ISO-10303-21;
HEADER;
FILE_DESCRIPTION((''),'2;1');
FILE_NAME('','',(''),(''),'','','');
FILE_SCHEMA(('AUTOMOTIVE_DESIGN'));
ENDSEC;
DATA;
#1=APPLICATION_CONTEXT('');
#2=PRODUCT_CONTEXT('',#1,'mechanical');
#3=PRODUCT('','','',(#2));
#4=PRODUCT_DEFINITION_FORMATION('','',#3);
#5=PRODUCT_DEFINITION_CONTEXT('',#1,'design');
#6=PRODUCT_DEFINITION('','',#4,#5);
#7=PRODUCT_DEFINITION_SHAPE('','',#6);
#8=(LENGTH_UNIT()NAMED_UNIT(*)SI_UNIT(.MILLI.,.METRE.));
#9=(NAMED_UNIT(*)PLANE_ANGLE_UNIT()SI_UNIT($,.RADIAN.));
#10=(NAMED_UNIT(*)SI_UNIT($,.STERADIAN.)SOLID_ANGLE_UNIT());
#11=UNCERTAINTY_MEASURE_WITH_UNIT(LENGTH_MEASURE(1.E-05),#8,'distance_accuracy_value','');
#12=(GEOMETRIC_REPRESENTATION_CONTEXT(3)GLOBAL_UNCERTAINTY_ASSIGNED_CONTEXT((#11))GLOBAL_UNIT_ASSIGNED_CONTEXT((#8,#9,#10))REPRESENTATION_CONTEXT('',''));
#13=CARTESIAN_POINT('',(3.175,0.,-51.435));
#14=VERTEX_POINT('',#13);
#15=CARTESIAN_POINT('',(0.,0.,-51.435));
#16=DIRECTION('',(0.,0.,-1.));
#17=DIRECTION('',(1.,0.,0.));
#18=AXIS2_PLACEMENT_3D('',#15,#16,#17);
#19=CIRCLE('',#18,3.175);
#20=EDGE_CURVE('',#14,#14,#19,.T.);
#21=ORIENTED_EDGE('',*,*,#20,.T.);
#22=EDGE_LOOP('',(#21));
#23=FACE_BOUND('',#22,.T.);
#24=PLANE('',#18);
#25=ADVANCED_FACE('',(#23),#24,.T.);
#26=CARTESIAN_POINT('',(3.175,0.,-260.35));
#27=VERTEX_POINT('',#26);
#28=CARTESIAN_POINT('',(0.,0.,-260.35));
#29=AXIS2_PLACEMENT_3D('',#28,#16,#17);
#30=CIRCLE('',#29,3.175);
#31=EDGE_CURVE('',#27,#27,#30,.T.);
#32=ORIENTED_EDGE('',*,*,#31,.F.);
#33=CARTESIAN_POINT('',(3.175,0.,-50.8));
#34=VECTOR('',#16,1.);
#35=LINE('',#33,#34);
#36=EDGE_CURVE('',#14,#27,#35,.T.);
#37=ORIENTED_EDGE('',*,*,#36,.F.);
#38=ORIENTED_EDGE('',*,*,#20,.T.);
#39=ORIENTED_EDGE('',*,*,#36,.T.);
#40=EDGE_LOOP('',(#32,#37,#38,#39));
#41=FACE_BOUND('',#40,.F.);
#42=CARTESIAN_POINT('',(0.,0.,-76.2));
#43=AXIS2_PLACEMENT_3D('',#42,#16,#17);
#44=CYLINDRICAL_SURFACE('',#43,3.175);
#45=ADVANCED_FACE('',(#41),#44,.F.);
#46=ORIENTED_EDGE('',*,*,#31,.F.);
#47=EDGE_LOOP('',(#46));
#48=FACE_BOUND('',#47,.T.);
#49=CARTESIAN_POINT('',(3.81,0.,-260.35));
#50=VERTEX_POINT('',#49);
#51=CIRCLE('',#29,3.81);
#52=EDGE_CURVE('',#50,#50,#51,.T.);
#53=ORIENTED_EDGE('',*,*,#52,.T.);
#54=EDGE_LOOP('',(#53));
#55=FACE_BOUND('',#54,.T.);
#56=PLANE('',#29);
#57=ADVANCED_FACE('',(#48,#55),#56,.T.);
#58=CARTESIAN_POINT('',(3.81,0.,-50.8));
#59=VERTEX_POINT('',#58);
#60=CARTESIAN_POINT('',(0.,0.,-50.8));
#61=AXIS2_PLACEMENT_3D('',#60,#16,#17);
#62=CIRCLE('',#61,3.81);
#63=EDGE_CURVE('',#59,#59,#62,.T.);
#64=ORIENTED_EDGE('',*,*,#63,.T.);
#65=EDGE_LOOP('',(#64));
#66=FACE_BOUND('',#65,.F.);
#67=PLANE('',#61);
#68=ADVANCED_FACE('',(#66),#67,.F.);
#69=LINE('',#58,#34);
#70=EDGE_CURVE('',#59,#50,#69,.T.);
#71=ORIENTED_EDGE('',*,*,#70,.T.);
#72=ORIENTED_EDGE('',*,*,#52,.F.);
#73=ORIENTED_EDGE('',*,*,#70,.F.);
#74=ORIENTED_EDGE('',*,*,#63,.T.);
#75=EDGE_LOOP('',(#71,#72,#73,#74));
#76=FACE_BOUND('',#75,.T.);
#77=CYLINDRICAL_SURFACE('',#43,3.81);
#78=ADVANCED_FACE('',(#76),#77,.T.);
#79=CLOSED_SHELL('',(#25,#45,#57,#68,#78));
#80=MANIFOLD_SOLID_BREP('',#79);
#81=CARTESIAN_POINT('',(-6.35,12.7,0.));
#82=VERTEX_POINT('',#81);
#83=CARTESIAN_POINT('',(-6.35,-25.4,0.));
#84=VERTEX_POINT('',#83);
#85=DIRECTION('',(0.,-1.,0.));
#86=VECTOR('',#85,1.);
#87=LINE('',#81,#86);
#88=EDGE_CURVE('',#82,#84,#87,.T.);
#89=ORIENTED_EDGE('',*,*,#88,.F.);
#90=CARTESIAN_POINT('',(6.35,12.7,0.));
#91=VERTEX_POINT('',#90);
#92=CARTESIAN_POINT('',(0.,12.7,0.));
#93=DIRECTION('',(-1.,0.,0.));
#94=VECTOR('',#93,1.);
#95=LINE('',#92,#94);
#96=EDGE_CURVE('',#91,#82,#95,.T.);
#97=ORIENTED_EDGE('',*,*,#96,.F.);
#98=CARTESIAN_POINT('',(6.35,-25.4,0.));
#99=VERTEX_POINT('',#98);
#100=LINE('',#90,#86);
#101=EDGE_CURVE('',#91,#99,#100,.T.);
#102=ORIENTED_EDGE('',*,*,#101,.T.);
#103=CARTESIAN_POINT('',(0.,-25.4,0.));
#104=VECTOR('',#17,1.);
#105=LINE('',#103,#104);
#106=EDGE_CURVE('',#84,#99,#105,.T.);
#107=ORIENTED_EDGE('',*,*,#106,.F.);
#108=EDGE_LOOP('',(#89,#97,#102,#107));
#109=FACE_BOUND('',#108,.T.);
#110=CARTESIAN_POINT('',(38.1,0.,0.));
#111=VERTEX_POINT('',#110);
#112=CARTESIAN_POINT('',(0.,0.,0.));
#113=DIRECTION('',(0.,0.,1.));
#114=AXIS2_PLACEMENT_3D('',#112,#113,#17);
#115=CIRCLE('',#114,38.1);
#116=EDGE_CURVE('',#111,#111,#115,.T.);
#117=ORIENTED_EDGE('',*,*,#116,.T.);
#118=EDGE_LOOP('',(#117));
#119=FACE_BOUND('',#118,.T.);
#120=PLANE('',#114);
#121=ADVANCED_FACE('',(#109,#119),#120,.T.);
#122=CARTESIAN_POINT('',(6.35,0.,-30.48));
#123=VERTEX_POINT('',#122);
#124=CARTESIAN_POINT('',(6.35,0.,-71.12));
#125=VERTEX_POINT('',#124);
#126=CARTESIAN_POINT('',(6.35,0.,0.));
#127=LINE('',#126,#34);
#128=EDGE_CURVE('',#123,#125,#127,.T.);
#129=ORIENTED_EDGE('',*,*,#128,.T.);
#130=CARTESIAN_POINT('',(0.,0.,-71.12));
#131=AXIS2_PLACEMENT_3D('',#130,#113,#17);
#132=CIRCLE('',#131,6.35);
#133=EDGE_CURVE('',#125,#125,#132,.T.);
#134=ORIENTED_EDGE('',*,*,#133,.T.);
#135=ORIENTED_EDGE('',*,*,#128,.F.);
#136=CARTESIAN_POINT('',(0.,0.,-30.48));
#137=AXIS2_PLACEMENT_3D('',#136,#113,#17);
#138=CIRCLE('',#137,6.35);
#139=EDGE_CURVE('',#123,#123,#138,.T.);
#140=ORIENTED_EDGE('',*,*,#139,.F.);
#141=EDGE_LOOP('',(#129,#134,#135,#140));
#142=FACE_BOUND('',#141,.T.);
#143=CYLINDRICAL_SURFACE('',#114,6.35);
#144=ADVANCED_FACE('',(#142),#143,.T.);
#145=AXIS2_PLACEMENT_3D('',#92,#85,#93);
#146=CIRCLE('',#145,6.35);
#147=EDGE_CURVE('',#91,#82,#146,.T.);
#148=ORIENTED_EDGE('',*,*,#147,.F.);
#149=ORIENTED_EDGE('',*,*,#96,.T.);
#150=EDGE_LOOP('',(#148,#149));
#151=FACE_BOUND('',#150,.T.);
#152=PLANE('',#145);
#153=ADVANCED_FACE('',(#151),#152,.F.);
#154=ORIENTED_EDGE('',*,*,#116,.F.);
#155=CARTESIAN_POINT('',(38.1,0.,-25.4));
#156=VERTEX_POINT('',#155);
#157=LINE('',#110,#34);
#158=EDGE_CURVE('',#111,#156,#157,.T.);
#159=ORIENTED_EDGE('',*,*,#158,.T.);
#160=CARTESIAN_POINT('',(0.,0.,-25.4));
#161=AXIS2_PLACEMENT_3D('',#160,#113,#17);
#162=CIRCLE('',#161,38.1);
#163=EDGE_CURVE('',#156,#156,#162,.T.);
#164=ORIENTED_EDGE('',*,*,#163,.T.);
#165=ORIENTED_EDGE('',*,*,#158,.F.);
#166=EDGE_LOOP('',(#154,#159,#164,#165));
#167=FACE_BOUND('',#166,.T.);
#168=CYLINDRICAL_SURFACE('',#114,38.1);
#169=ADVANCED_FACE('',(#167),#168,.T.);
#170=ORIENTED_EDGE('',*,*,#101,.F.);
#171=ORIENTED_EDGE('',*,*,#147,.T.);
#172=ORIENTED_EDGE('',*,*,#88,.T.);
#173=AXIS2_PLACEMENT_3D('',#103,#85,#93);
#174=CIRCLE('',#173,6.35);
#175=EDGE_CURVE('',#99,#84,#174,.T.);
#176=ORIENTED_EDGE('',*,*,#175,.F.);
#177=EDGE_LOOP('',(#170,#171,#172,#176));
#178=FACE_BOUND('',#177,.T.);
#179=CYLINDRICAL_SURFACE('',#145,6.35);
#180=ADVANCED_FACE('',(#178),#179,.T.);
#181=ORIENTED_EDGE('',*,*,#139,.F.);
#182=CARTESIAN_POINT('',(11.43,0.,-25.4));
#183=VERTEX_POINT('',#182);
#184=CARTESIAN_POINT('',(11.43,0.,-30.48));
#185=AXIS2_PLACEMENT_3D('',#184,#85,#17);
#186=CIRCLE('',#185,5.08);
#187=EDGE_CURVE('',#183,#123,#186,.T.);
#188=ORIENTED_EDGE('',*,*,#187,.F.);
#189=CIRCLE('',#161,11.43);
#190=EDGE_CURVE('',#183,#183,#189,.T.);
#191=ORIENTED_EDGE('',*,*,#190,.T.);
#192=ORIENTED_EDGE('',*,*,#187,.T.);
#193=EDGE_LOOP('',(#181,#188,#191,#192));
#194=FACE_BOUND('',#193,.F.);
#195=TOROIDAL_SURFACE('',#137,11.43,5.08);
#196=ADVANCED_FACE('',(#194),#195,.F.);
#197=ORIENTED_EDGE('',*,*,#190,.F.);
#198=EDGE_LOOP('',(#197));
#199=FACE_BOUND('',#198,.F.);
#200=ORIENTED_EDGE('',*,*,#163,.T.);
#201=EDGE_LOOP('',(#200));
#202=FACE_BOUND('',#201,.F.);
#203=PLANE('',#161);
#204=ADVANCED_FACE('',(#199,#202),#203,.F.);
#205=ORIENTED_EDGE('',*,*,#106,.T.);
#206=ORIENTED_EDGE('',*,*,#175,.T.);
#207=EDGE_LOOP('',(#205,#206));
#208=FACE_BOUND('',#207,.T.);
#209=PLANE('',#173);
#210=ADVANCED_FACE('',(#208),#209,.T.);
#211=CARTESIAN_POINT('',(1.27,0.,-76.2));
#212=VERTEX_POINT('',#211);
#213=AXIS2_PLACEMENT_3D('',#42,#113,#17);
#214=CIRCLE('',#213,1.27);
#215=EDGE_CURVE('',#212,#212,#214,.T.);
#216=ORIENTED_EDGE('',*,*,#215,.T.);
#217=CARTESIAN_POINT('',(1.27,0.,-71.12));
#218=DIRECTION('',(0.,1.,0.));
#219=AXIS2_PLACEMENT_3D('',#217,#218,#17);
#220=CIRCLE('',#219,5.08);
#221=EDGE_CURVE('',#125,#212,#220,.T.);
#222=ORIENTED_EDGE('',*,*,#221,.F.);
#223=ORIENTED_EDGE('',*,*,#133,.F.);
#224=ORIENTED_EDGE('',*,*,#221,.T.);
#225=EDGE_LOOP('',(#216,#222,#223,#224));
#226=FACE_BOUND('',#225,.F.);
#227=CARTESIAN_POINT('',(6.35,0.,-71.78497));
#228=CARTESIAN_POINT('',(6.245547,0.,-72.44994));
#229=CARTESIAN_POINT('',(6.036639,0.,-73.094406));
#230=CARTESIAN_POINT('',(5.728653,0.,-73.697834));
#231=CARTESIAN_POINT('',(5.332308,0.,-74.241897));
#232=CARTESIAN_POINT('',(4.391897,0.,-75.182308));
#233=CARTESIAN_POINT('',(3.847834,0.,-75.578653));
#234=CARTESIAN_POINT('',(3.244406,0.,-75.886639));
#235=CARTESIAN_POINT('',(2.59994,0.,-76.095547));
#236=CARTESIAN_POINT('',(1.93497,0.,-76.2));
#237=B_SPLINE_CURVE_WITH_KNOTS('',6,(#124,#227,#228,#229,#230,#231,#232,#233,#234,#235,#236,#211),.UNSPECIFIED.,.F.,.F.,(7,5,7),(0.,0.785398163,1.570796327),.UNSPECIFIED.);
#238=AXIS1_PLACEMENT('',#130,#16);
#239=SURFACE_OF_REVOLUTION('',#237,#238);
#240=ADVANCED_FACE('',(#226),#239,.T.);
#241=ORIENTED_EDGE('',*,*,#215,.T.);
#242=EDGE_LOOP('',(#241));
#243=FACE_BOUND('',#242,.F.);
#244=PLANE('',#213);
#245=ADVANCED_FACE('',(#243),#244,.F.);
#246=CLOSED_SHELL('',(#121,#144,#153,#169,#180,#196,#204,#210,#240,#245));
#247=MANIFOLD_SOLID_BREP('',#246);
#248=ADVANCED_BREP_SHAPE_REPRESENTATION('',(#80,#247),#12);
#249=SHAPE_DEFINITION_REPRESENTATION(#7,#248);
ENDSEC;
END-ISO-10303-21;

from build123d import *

# Parameters (mm, degrees)
F0_R          = 6.35
F1_DEPTH      = 76.2
F2_R          = 3.81
F3_DEPTH      = 184.15
F3_DEPTH_BACK = 25.4
F4_R          = 38.1
F5_DEPTH      = 25.4
F6_R          = 5.08
F9_T          = -0.635
F10_ANGLE     = 180


with BuildPart() as f1:
    # F0 (on Top) → F1 (new body)
    with BuildSketch(Plane.XY):
        Circle(F0_R)
    extrude(amount=-F1_DEPTH)

    # F4 (on Top) → F5 (join)
    with BuildSketch(Plane.XY):
        Circle(F4_R)
    extrude(amount=-F5_DEPTH)

    # F6
    f6_edges = [f1.edges().sort_by_distance(p)[0] for p in [
        (-6.35, 0, -76.2),
        (-6.35, 0, -25.4),
        (6.35, 0, -50.8),
    ]]
    fillet(f6_edges, radius=F6_R)

    # F7 (on face) → F8 (revolve)
    with BuildSketch(Plane.XY):
        Polygon((0, -25.4), (0, 0), (0, 12.7), (-6.35, 12.7), (-6.35, -25.4), align=None)
    revolve(axis=Axis((0, -12.7, 0), (0, -1, 0)))


with BuildPart() as f3:
    # F2 (on face) → F3 (new body, two sides)
    with BuildSketch(Plane(origin=(0, 0, -76.2), x_dir=(1, 0, 0), z_dir=(0, 0, -1))) as f3_sk:
        Circle(F2_R)
    extrude(amount=F3_DEPTH)
    extrude(f3_sk.sketch, amount=-F3_DEPTH_BACK)

    # F9
    f9_openings = [f3.faces().sort_by_distance(p)[0] for p in [
        (0, 0, -260.35),
    ]]
    offset(amount=F9_T, openings=f9_openings)


with BuildPart() as f1_1:
    # F10: moved
    add(f1.part.rotate(Axis((0, 0, 0), (0, 0, 1)), F10_ANGLE))


with BuildPart() as f3_1:
    # F10: moved
    add(f3.part.rotate(Axis((0, 0, 0), (0, 0, 1)), F10_ANGLE))


solid = Compound([f1_1.part, f3_1.part])
